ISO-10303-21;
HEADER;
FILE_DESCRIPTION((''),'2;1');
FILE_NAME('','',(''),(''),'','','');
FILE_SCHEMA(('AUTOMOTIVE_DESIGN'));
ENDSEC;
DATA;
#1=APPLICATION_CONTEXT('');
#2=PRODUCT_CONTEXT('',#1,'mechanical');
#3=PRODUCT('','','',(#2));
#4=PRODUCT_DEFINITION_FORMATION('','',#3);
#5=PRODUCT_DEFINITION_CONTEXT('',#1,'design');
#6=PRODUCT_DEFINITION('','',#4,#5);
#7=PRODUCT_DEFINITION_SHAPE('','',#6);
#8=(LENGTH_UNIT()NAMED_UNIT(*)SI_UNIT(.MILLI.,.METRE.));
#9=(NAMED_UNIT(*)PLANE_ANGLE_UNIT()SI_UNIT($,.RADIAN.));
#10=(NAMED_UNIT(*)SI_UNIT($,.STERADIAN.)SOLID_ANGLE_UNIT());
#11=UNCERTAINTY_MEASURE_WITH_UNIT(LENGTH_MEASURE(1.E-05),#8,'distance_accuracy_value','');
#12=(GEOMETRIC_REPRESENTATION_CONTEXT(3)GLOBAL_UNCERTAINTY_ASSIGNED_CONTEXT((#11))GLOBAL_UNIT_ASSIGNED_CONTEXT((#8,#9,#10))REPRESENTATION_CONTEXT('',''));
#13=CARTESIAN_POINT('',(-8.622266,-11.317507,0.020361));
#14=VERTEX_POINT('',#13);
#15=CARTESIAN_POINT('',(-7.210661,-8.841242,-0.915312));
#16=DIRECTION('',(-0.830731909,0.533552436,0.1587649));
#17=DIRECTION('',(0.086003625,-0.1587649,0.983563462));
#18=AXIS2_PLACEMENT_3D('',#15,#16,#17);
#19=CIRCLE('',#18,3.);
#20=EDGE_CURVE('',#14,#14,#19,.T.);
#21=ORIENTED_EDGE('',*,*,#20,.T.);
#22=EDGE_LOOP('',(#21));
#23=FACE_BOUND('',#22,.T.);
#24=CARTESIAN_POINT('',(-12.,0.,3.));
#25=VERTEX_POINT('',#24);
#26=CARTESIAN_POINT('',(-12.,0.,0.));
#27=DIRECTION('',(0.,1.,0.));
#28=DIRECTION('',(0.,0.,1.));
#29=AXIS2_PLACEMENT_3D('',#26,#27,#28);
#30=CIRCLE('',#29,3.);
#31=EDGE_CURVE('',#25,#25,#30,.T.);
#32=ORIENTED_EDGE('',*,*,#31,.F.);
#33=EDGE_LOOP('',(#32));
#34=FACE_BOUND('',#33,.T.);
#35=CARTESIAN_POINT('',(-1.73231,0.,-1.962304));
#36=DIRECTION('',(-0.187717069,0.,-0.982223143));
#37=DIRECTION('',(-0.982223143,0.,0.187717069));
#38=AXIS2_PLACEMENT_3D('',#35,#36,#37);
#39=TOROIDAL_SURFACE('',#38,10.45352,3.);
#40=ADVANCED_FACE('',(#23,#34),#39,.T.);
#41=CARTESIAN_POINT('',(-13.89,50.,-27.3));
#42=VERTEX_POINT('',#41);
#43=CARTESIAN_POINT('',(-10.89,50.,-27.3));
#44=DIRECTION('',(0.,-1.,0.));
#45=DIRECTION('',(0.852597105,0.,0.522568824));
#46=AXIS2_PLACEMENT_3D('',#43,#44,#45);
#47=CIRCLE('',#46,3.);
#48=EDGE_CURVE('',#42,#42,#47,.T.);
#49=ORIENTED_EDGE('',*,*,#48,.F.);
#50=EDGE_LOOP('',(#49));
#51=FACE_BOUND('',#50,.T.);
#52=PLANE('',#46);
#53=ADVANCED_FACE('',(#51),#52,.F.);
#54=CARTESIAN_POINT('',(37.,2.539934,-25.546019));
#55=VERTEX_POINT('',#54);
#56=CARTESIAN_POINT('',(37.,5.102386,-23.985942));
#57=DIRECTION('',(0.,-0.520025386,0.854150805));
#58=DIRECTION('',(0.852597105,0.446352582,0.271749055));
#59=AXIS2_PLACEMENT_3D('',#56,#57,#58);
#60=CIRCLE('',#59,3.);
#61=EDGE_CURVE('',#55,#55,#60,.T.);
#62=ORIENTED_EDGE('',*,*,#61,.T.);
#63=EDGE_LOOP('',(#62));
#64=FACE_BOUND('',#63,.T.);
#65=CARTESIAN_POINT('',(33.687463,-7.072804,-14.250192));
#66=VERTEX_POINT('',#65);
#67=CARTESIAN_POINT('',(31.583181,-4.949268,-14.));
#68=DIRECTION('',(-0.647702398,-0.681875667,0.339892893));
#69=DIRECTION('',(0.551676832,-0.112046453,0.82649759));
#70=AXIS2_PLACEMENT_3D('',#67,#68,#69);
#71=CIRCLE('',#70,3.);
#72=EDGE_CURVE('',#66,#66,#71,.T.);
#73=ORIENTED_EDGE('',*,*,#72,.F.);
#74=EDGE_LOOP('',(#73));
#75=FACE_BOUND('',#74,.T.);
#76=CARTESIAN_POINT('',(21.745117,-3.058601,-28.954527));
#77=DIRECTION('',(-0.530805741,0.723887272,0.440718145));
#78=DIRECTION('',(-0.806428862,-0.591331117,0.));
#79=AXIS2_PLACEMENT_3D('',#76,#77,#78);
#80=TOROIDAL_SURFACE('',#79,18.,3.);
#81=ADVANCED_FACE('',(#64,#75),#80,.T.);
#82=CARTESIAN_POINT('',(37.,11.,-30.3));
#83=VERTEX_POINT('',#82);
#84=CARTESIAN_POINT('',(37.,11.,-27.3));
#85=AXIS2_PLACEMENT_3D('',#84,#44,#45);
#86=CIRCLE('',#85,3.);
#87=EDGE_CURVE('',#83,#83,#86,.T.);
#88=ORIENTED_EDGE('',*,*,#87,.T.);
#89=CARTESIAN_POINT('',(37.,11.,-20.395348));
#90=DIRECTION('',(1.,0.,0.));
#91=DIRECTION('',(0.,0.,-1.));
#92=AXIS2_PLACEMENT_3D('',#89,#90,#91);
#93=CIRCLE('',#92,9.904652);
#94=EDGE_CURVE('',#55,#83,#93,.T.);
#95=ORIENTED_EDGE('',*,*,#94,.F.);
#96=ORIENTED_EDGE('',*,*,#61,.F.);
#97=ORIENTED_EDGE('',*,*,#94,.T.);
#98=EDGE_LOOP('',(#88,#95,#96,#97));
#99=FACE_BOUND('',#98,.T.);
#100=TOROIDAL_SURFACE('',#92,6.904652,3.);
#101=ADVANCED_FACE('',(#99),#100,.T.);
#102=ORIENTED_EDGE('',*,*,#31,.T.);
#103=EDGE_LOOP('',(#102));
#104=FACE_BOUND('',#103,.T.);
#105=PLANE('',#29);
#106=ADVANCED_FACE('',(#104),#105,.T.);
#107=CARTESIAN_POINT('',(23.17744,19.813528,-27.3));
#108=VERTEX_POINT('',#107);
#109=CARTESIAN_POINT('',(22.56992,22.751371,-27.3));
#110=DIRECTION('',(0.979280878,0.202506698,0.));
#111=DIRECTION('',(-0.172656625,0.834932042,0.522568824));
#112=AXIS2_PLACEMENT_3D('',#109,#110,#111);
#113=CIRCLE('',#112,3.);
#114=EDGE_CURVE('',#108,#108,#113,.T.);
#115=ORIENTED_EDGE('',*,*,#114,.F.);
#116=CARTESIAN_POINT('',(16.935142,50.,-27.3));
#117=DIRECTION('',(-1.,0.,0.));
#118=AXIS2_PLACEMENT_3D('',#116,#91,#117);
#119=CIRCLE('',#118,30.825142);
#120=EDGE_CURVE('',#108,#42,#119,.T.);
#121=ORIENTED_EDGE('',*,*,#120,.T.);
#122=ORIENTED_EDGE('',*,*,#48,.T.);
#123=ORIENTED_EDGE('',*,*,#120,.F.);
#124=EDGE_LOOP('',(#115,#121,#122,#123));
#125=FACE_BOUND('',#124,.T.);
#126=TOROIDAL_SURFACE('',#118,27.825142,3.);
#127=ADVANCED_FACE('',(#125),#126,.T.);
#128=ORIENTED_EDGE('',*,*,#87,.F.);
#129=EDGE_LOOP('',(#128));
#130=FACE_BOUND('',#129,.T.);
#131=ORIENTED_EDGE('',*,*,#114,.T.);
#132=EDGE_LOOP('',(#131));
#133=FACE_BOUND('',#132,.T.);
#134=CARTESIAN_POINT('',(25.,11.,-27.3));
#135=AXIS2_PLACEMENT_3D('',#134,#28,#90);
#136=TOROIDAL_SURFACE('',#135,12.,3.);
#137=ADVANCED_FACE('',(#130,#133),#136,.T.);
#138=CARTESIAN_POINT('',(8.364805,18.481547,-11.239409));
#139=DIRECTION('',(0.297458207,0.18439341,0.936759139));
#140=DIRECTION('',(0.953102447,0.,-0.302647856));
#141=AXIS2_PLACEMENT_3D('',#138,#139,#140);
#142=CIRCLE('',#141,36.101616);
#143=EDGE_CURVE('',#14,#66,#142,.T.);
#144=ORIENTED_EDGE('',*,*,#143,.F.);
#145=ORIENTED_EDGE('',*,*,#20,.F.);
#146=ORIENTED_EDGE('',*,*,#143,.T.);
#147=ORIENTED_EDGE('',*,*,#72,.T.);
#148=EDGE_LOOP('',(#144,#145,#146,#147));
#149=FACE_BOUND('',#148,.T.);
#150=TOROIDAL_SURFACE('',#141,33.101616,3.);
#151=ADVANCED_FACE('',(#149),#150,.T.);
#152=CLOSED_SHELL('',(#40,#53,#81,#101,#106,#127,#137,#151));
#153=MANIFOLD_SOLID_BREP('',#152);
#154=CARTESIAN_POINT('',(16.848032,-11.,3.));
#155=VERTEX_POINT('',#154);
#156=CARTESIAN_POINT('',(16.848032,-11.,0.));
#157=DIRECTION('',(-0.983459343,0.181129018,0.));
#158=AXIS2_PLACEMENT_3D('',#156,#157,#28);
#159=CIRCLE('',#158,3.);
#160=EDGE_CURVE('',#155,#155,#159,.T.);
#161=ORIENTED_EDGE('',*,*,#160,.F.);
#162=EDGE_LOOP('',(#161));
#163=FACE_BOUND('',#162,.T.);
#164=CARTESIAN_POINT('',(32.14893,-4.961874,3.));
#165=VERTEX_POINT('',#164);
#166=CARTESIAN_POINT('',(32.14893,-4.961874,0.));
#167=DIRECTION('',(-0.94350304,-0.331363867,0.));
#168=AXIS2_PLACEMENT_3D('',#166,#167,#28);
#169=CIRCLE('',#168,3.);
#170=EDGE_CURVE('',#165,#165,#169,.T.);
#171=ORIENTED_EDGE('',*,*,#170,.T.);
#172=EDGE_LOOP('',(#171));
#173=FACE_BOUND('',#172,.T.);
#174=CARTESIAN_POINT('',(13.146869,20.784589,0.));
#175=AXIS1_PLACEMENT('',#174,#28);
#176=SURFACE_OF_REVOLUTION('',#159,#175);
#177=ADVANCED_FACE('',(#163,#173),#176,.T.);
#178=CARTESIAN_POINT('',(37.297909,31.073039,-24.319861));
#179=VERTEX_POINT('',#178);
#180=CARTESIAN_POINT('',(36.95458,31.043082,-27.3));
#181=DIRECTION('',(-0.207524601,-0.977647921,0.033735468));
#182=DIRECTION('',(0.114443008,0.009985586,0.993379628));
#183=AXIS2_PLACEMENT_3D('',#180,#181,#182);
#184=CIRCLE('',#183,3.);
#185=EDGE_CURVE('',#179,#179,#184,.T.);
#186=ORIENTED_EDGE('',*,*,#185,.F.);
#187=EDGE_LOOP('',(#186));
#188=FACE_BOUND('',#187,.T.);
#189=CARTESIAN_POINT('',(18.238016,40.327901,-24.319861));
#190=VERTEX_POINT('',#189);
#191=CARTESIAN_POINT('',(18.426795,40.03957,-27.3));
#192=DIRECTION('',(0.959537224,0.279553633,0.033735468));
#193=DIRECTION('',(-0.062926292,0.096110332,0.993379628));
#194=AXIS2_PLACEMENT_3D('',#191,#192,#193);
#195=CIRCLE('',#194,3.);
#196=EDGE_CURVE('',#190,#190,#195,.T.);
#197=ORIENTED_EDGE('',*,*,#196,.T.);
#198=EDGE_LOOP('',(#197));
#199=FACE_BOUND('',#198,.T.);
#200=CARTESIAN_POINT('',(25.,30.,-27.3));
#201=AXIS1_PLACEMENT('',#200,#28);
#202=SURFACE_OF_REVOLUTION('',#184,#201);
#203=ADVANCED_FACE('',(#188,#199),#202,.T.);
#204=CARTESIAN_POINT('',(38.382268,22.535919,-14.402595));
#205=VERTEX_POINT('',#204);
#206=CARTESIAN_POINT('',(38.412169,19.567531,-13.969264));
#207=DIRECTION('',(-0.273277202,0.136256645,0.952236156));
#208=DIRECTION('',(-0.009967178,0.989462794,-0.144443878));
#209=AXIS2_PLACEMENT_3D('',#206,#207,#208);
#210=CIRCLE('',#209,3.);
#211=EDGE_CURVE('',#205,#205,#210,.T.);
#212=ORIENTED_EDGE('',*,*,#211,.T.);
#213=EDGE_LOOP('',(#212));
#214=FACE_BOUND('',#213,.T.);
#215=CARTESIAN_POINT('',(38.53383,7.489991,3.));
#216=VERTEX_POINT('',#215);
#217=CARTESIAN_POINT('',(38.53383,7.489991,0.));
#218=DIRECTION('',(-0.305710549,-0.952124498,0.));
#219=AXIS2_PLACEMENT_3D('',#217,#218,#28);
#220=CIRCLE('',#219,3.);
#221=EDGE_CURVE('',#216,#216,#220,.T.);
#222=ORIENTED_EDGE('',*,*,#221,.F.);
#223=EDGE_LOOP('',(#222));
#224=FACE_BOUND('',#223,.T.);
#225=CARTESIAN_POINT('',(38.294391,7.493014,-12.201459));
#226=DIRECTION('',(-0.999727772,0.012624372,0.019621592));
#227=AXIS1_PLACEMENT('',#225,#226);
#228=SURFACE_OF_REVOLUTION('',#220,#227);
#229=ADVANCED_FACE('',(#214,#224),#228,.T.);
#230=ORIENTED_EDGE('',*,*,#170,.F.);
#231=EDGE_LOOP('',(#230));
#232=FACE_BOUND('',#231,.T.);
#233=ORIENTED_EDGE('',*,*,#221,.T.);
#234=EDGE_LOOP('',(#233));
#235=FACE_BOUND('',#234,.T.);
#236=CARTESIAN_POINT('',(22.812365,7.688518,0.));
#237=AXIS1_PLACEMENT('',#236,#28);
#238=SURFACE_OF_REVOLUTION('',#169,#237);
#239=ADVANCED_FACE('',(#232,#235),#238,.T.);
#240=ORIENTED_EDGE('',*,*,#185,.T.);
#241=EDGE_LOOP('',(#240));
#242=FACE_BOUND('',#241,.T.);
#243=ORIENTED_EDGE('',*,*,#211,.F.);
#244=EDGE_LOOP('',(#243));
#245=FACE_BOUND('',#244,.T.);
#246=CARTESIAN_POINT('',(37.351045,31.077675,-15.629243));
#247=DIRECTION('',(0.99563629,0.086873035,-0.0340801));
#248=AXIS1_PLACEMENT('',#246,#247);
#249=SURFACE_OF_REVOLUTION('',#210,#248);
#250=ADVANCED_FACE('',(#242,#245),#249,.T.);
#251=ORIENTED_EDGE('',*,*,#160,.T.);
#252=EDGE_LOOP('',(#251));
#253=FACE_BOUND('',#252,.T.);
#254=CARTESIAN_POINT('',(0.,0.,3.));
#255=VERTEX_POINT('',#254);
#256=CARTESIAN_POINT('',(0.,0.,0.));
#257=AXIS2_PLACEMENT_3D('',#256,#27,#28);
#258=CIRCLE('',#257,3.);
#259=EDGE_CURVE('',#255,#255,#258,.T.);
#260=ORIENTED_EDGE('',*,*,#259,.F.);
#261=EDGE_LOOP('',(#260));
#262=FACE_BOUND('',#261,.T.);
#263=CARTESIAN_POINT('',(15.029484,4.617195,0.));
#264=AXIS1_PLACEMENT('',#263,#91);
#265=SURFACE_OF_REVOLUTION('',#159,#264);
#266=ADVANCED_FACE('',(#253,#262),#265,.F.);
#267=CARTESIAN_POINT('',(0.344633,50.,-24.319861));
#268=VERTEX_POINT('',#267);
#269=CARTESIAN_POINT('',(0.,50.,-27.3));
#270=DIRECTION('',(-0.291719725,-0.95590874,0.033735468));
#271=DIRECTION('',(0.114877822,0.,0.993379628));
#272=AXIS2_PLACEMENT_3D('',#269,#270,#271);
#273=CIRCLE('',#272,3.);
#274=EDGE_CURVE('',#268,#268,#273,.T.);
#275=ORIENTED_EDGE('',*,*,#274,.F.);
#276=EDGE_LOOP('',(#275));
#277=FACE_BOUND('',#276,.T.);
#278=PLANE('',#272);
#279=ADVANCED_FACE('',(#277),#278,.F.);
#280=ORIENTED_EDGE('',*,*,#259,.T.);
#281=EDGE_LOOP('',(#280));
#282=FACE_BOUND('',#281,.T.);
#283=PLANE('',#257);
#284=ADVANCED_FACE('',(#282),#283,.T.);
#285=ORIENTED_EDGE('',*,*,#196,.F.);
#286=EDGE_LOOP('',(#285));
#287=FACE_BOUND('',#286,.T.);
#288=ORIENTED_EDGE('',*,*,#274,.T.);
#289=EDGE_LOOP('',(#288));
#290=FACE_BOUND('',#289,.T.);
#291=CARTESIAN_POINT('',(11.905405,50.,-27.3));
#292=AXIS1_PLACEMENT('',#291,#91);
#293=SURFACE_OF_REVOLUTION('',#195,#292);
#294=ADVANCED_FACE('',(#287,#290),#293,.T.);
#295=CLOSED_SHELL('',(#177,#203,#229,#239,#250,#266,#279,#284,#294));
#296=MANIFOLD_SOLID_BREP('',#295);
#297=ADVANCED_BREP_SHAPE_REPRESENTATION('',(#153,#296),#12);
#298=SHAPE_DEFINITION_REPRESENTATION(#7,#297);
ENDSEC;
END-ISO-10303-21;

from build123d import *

# Parameters (mm, degrees)
SKETCH2_R  = 3
SKETCH12_R = 3


with BuildPart() as part:
    # Sweep1: sweep along a curve in space
    with BuildLine() as sweep1_path:
        ThreePointArc((0, 50, -27.3), (6.244182334, 39.526737318, -27.3), (18.426794799, 40.039570379, -27.3))
        ThreePointArc((36.954579843, 31.043082345, -27.3), (30.241564413, 40.794721048, -27.3), (18.426794799, 40.039570379, -27.3))
        ThreePointArc((38.412169163, 19.567530716, -13.969263691), (37.858502167, 22.26343923, -23.272323317), (36.954579843, 31.043082345, -27.3))
        ThreePointArc((38.412169163, 19.567530716, -13.969263691), (38.567543435, 16.723693034, -4.223182049), (38.533830124, 7.489990738, 0))
        ThreePointArc((32.148930084, -4.961874275, 0), (36.803020961, 0.514577671, 0), (38.533830124, 7.489990738, 0))
        ThreePointArc((16.848031948, -11, 0), (24.893095444, -8.98090889, 0), (32.148930084, -4.961874275, 0))
        ThreePointArc((0, 0, 0), (6.434008074, -8.547974244, 0), (16.848031948, -11, 0))
    # Sketch2 → Sweep1 (sweep)
    with BuildSketch(Plane(origin=(0, 0, 0), x_dir=(1, 0, 0), z_dir=(0, 1, 0))):
        Circle(SKETCH2_R)
    sweep(path=sweep1_path.line)


with BuildPart() as body_2:
    # Sweep2: sweep along a curve in space
    with BuildLine() as sweep2_path:
        ThreePointArc((-10.89, 50, -27.3), (-0.635430554, 28.424237968, -27.3), (22.569919622, 22.751370531, -27.3))
        ThreePointArc((22.569919622, 22.751370531, -27.3), (32.577566742, 20.304863366, -27.3), (37, 11, -27.3))
        ThreePointArc((37, 5.102386142, -23.985942439), (37, 7.617514718, -26.414734358), (37, 11, -27.3))
        ThreePointArc((31.58318077, -4.949268379, -14), (35.579674586, 0.398430145, -17.970267747), (37, 5.102386142, -23.985942439))
        ThreePointArc((-7.210661174, -8.841242451, -0.915312019), (13.241288535, -13.901292681, -6.41358811), (31.58318077, -4.949268379, -14))
        ThreePointArc((-12, 0, 0), (-10.723290742, -5.048344544, -0.243997631), (-7.210661174, -8.841242451, -0.915312019))
    # Sketch12 → Sweep2 (sweep)
    with BuildSketch(Plane(origin=(0, 0, 0), x_dir=(1, 0, 0), z_dir=(0, 1, 0))):
        with Locations((-12, 0)):
            Circle(SKETCH12_R)
    sweep(path=sweep2_path.line)


solid = Compound([part.part, body_2.part])
